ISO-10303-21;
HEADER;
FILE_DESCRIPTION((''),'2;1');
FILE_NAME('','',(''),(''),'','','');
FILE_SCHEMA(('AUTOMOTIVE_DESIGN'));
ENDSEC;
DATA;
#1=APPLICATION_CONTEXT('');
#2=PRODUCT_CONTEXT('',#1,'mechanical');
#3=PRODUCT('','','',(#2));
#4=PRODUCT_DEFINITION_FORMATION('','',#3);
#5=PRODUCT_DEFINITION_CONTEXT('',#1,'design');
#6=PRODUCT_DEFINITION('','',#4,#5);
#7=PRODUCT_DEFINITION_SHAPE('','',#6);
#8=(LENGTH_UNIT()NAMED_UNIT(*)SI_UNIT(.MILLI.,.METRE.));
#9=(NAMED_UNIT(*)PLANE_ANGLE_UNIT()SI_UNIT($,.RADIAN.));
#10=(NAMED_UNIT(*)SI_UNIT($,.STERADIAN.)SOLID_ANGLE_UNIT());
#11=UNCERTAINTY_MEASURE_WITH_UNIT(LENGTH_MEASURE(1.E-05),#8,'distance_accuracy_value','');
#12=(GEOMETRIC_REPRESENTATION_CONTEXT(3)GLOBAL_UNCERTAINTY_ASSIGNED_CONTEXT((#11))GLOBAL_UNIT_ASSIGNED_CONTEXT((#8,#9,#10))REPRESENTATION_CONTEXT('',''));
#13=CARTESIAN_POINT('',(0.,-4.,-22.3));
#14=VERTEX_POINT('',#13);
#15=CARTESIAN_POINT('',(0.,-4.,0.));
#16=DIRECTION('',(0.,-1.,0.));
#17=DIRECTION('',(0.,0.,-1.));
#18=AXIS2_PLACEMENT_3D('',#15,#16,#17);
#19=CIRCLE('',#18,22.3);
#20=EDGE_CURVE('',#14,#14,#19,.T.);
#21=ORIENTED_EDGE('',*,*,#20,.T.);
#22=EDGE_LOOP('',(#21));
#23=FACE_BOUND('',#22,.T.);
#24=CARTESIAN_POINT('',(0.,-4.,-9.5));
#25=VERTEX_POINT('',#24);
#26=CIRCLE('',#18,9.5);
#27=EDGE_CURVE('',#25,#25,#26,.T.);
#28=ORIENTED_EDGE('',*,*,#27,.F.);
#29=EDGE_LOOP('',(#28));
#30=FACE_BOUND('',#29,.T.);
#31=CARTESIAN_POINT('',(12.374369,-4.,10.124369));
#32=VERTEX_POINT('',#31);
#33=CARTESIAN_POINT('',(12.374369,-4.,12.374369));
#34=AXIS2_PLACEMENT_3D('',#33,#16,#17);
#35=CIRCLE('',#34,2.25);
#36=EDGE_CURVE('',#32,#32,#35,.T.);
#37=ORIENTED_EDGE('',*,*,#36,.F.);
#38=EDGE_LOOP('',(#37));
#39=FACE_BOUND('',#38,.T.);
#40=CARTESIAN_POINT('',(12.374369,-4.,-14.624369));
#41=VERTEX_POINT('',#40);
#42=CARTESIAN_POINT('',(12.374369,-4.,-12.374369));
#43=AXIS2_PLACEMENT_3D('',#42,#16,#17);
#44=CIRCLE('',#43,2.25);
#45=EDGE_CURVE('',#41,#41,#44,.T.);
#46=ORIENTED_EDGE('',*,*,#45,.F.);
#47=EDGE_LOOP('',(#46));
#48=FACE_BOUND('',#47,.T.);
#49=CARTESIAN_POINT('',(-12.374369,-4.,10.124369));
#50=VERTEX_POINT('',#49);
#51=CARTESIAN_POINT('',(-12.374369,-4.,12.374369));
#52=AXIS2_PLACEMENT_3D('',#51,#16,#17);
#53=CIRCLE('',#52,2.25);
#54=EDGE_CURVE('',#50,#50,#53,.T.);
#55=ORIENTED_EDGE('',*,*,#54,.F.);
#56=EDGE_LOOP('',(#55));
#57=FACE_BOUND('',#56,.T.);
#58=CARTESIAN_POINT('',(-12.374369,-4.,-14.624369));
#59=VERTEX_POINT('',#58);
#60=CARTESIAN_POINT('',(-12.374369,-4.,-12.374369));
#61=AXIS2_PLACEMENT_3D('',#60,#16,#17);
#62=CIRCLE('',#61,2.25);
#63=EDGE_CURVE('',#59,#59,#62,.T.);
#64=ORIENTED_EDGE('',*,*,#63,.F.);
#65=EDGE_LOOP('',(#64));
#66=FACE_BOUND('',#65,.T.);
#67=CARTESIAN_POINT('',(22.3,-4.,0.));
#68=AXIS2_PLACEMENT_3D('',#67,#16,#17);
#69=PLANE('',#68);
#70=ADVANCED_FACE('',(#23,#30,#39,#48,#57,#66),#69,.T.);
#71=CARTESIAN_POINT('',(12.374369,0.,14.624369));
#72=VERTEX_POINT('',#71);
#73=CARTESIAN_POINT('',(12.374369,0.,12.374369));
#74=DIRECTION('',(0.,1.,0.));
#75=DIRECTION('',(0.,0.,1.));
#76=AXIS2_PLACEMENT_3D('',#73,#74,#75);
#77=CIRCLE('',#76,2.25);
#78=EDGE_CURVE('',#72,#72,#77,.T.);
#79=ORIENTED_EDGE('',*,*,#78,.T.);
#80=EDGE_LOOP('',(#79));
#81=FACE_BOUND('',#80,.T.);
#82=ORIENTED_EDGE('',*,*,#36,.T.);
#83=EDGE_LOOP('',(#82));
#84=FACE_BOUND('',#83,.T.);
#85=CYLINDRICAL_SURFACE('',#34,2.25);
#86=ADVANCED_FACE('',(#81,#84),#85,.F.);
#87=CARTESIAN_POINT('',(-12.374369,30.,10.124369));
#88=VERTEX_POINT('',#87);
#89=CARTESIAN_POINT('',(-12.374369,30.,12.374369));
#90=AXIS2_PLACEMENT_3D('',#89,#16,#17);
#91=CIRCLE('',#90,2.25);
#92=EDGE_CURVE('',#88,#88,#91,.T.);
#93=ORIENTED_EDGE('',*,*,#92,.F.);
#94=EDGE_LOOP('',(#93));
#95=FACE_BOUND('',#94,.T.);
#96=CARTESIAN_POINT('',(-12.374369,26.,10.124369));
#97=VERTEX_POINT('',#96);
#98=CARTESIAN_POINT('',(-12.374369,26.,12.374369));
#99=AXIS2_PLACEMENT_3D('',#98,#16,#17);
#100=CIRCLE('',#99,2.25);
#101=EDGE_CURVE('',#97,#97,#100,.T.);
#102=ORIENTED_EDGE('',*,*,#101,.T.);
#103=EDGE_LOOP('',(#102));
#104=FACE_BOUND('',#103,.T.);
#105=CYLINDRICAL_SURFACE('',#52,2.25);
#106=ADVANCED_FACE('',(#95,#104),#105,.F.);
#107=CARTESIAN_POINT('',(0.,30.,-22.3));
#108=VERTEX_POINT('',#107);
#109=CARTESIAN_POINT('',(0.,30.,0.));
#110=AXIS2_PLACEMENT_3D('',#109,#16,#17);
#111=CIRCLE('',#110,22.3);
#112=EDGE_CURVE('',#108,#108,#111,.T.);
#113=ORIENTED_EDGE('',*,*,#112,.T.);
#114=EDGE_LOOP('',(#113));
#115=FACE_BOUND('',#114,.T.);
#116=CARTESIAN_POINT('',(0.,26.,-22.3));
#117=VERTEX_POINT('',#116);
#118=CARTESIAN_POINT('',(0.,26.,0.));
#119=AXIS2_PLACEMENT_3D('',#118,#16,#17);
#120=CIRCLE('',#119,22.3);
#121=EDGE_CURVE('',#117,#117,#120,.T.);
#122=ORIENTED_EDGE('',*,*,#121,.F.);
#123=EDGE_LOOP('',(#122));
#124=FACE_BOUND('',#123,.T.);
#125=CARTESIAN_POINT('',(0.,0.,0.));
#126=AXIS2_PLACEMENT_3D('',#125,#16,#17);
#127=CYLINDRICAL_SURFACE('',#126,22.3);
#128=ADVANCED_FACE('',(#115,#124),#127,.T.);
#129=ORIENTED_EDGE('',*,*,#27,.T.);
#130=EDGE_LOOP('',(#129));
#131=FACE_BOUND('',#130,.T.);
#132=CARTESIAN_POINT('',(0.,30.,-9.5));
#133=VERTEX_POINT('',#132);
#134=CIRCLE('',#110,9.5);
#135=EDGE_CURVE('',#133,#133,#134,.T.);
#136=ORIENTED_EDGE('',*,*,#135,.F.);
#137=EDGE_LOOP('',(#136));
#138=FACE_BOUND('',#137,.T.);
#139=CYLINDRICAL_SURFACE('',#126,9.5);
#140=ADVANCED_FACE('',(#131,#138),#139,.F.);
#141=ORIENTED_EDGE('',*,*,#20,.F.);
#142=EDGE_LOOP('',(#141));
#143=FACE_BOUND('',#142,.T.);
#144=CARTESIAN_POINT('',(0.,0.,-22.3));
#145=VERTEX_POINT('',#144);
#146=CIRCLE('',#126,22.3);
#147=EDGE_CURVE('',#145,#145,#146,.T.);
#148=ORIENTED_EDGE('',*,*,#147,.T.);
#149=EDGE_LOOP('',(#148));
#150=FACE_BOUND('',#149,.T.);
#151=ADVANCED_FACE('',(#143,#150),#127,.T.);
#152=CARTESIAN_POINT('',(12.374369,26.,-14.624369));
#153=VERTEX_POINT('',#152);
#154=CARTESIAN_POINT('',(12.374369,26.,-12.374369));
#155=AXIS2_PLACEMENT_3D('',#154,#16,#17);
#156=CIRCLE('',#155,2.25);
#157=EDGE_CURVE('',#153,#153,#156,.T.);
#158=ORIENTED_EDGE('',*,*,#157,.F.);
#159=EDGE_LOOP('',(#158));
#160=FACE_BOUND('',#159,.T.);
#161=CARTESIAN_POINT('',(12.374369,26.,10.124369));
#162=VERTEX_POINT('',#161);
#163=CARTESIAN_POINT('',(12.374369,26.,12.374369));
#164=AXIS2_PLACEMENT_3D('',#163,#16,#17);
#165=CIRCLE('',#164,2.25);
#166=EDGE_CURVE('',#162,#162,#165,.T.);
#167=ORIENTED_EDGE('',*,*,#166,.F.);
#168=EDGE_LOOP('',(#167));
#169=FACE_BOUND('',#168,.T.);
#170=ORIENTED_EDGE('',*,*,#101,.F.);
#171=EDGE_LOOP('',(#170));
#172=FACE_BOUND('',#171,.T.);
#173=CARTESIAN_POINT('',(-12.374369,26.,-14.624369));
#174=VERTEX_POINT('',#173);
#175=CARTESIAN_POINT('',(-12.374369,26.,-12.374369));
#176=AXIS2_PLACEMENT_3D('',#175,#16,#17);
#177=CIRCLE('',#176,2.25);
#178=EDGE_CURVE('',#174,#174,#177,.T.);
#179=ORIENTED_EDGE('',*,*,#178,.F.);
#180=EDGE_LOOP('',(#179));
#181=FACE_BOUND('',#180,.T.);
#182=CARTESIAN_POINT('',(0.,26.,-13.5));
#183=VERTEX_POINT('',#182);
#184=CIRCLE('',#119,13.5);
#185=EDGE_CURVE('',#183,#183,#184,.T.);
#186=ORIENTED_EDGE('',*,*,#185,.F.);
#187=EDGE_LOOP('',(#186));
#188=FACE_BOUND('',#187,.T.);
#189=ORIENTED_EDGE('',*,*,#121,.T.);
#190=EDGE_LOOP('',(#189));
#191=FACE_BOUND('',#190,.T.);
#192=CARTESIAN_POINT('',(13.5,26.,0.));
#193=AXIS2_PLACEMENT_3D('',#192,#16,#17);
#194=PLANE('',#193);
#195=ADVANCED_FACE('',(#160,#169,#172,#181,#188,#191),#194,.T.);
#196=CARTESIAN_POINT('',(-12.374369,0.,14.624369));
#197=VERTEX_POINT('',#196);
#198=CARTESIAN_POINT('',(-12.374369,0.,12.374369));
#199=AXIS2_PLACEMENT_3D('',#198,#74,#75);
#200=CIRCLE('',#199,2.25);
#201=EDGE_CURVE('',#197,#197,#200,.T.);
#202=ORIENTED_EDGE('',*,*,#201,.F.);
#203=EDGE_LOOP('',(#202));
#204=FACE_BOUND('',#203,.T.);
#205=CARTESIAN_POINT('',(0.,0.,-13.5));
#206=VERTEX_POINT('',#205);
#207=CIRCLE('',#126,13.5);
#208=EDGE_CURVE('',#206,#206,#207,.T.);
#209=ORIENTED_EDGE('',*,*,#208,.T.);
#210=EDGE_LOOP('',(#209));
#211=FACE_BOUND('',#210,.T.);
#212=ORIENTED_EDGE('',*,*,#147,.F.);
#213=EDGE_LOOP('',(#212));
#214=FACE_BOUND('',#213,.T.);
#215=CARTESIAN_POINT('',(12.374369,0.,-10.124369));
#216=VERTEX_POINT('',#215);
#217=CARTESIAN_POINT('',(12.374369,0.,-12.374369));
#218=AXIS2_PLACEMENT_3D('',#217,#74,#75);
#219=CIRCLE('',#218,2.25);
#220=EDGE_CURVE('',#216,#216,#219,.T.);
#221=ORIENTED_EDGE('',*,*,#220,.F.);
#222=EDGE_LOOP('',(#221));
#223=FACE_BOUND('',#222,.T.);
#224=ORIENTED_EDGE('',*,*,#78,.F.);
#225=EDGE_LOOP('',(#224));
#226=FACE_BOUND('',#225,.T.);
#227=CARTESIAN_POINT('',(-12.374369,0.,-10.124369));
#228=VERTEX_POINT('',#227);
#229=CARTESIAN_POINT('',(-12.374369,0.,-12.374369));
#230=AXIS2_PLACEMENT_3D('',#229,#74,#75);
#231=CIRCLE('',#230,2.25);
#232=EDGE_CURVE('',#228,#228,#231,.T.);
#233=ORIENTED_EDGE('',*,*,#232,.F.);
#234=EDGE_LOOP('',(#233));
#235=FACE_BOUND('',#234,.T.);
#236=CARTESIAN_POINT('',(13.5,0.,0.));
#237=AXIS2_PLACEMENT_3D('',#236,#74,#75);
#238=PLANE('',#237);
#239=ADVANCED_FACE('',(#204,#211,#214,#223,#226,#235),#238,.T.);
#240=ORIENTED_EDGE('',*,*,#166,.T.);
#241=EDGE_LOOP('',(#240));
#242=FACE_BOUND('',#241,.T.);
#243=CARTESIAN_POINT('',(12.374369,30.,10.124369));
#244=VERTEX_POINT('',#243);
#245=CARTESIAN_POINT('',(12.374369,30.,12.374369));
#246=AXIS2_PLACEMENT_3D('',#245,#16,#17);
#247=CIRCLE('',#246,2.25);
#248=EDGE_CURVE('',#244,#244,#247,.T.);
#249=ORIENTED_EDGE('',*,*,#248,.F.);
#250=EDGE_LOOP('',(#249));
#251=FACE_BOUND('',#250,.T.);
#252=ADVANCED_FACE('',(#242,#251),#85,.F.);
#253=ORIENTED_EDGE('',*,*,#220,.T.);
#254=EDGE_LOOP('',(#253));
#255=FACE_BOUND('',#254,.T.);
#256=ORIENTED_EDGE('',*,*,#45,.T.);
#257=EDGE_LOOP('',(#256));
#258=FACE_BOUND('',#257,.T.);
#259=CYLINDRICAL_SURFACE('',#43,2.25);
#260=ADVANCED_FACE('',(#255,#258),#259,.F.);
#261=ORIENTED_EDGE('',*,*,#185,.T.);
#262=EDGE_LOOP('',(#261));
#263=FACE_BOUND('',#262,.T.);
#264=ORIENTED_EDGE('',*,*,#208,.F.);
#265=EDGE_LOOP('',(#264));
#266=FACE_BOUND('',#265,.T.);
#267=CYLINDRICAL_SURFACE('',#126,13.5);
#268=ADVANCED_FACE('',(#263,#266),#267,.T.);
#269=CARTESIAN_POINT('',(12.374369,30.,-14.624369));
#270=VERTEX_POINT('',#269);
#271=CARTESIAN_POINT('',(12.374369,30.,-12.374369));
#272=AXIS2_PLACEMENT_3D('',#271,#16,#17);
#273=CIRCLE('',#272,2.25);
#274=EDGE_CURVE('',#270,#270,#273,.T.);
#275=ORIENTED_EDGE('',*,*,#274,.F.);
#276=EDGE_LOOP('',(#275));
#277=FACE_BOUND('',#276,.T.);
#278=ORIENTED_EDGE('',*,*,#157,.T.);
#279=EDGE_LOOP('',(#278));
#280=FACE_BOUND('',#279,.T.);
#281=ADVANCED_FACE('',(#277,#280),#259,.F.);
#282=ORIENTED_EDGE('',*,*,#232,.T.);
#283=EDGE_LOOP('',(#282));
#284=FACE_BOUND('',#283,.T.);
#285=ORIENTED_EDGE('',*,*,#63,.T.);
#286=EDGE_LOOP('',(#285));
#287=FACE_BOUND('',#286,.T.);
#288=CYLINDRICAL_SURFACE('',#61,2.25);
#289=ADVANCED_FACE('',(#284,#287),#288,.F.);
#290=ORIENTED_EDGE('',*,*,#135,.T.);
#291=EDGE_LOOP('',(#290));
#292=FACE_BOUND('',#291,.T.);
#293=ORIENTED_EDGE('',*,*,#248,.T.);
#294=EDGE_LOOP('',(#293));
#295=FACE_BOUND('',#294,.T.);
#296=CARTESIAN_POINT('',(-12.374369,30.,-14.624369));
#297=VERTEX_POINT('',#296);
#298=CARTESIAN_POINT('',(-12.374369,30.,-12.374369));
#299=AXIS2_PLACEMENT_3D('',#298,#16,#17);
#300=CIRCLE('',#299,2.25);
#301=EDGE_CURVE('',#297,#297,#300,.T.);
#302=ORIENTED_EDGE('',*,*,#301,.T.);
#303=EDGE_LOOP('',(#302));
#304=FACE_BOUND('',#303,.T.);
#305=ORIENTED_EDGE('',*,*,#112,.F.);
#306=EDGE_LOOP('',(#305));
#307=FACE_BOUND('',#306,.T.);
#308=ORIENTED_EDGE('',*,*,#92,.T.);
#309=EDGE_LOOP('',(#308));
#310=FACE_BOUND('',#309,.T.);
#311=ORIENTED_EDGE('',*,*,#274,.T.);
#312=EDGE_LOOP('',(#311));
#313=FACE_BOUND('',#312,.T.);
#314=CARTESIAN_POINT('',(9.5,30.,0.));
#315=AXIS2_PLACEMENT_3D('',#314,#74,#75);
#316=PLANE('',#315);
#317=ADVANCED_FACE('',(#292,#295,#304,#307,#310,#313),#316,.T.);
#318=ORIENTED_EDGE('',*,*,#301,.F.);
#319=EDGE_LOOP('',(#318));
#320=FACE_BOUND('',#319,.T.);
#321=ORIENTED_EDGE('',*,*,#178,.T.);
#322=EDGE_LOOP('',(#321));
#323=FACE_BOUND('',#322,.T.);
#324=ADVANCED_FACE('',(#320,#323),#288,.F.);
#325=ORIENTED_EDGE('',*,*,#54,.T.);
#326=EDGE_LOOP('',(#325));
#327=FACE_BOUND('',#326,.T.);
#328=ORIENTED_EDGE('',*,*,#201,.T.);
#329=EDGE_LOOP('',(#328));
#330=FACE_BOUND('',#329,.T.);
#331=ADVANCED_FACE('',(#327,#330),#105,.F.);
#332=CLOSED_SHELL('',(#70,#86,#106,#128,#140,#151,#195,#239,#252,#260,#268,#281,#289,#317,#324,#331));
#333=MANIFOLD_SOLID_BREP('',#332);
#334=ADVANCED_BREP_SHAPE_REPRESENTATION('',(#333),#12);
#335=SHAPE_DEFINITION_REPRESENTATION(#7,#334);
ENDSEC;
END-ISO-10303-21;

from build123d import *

# Parameters (mm, degrees)
M4_CLEARANCE_HOLE1_D = 4.5


with BuildPart() as part:
    # Sketch1 → Revolve1 (revolve)
    with BuildSketch(Plane.XY, mode=Mode.PRIVATE) as revolve1_sk:
        Polygon((13.5, 26), (22.3, 26), (22.3, 30), (9.5, 30), (9.5, -4), (22.3, -4), (22.3, 0), (13.5, 0), align=None)
    revolve(revolve1_sk.sketch.rotate(Axis((0, 0, 0), (0, 1, 0)), 90), axis=Axis((0, 0, 0), (0, 1, 0)))  # turned: the seam where the file's is

    # M4 Clearance Hole1 (through all)
    with Locations(Plane.XZ.offset(4)):
        with Locations((-12.374368671, 12.374368671), (12.374368671, 12.374368671), (12.374368671, -12.374368671), (-12.374368671, -12.374368671)):
            Hole(M4_CLEARANCE_HOLE1_D / 2)


solid = part.part
